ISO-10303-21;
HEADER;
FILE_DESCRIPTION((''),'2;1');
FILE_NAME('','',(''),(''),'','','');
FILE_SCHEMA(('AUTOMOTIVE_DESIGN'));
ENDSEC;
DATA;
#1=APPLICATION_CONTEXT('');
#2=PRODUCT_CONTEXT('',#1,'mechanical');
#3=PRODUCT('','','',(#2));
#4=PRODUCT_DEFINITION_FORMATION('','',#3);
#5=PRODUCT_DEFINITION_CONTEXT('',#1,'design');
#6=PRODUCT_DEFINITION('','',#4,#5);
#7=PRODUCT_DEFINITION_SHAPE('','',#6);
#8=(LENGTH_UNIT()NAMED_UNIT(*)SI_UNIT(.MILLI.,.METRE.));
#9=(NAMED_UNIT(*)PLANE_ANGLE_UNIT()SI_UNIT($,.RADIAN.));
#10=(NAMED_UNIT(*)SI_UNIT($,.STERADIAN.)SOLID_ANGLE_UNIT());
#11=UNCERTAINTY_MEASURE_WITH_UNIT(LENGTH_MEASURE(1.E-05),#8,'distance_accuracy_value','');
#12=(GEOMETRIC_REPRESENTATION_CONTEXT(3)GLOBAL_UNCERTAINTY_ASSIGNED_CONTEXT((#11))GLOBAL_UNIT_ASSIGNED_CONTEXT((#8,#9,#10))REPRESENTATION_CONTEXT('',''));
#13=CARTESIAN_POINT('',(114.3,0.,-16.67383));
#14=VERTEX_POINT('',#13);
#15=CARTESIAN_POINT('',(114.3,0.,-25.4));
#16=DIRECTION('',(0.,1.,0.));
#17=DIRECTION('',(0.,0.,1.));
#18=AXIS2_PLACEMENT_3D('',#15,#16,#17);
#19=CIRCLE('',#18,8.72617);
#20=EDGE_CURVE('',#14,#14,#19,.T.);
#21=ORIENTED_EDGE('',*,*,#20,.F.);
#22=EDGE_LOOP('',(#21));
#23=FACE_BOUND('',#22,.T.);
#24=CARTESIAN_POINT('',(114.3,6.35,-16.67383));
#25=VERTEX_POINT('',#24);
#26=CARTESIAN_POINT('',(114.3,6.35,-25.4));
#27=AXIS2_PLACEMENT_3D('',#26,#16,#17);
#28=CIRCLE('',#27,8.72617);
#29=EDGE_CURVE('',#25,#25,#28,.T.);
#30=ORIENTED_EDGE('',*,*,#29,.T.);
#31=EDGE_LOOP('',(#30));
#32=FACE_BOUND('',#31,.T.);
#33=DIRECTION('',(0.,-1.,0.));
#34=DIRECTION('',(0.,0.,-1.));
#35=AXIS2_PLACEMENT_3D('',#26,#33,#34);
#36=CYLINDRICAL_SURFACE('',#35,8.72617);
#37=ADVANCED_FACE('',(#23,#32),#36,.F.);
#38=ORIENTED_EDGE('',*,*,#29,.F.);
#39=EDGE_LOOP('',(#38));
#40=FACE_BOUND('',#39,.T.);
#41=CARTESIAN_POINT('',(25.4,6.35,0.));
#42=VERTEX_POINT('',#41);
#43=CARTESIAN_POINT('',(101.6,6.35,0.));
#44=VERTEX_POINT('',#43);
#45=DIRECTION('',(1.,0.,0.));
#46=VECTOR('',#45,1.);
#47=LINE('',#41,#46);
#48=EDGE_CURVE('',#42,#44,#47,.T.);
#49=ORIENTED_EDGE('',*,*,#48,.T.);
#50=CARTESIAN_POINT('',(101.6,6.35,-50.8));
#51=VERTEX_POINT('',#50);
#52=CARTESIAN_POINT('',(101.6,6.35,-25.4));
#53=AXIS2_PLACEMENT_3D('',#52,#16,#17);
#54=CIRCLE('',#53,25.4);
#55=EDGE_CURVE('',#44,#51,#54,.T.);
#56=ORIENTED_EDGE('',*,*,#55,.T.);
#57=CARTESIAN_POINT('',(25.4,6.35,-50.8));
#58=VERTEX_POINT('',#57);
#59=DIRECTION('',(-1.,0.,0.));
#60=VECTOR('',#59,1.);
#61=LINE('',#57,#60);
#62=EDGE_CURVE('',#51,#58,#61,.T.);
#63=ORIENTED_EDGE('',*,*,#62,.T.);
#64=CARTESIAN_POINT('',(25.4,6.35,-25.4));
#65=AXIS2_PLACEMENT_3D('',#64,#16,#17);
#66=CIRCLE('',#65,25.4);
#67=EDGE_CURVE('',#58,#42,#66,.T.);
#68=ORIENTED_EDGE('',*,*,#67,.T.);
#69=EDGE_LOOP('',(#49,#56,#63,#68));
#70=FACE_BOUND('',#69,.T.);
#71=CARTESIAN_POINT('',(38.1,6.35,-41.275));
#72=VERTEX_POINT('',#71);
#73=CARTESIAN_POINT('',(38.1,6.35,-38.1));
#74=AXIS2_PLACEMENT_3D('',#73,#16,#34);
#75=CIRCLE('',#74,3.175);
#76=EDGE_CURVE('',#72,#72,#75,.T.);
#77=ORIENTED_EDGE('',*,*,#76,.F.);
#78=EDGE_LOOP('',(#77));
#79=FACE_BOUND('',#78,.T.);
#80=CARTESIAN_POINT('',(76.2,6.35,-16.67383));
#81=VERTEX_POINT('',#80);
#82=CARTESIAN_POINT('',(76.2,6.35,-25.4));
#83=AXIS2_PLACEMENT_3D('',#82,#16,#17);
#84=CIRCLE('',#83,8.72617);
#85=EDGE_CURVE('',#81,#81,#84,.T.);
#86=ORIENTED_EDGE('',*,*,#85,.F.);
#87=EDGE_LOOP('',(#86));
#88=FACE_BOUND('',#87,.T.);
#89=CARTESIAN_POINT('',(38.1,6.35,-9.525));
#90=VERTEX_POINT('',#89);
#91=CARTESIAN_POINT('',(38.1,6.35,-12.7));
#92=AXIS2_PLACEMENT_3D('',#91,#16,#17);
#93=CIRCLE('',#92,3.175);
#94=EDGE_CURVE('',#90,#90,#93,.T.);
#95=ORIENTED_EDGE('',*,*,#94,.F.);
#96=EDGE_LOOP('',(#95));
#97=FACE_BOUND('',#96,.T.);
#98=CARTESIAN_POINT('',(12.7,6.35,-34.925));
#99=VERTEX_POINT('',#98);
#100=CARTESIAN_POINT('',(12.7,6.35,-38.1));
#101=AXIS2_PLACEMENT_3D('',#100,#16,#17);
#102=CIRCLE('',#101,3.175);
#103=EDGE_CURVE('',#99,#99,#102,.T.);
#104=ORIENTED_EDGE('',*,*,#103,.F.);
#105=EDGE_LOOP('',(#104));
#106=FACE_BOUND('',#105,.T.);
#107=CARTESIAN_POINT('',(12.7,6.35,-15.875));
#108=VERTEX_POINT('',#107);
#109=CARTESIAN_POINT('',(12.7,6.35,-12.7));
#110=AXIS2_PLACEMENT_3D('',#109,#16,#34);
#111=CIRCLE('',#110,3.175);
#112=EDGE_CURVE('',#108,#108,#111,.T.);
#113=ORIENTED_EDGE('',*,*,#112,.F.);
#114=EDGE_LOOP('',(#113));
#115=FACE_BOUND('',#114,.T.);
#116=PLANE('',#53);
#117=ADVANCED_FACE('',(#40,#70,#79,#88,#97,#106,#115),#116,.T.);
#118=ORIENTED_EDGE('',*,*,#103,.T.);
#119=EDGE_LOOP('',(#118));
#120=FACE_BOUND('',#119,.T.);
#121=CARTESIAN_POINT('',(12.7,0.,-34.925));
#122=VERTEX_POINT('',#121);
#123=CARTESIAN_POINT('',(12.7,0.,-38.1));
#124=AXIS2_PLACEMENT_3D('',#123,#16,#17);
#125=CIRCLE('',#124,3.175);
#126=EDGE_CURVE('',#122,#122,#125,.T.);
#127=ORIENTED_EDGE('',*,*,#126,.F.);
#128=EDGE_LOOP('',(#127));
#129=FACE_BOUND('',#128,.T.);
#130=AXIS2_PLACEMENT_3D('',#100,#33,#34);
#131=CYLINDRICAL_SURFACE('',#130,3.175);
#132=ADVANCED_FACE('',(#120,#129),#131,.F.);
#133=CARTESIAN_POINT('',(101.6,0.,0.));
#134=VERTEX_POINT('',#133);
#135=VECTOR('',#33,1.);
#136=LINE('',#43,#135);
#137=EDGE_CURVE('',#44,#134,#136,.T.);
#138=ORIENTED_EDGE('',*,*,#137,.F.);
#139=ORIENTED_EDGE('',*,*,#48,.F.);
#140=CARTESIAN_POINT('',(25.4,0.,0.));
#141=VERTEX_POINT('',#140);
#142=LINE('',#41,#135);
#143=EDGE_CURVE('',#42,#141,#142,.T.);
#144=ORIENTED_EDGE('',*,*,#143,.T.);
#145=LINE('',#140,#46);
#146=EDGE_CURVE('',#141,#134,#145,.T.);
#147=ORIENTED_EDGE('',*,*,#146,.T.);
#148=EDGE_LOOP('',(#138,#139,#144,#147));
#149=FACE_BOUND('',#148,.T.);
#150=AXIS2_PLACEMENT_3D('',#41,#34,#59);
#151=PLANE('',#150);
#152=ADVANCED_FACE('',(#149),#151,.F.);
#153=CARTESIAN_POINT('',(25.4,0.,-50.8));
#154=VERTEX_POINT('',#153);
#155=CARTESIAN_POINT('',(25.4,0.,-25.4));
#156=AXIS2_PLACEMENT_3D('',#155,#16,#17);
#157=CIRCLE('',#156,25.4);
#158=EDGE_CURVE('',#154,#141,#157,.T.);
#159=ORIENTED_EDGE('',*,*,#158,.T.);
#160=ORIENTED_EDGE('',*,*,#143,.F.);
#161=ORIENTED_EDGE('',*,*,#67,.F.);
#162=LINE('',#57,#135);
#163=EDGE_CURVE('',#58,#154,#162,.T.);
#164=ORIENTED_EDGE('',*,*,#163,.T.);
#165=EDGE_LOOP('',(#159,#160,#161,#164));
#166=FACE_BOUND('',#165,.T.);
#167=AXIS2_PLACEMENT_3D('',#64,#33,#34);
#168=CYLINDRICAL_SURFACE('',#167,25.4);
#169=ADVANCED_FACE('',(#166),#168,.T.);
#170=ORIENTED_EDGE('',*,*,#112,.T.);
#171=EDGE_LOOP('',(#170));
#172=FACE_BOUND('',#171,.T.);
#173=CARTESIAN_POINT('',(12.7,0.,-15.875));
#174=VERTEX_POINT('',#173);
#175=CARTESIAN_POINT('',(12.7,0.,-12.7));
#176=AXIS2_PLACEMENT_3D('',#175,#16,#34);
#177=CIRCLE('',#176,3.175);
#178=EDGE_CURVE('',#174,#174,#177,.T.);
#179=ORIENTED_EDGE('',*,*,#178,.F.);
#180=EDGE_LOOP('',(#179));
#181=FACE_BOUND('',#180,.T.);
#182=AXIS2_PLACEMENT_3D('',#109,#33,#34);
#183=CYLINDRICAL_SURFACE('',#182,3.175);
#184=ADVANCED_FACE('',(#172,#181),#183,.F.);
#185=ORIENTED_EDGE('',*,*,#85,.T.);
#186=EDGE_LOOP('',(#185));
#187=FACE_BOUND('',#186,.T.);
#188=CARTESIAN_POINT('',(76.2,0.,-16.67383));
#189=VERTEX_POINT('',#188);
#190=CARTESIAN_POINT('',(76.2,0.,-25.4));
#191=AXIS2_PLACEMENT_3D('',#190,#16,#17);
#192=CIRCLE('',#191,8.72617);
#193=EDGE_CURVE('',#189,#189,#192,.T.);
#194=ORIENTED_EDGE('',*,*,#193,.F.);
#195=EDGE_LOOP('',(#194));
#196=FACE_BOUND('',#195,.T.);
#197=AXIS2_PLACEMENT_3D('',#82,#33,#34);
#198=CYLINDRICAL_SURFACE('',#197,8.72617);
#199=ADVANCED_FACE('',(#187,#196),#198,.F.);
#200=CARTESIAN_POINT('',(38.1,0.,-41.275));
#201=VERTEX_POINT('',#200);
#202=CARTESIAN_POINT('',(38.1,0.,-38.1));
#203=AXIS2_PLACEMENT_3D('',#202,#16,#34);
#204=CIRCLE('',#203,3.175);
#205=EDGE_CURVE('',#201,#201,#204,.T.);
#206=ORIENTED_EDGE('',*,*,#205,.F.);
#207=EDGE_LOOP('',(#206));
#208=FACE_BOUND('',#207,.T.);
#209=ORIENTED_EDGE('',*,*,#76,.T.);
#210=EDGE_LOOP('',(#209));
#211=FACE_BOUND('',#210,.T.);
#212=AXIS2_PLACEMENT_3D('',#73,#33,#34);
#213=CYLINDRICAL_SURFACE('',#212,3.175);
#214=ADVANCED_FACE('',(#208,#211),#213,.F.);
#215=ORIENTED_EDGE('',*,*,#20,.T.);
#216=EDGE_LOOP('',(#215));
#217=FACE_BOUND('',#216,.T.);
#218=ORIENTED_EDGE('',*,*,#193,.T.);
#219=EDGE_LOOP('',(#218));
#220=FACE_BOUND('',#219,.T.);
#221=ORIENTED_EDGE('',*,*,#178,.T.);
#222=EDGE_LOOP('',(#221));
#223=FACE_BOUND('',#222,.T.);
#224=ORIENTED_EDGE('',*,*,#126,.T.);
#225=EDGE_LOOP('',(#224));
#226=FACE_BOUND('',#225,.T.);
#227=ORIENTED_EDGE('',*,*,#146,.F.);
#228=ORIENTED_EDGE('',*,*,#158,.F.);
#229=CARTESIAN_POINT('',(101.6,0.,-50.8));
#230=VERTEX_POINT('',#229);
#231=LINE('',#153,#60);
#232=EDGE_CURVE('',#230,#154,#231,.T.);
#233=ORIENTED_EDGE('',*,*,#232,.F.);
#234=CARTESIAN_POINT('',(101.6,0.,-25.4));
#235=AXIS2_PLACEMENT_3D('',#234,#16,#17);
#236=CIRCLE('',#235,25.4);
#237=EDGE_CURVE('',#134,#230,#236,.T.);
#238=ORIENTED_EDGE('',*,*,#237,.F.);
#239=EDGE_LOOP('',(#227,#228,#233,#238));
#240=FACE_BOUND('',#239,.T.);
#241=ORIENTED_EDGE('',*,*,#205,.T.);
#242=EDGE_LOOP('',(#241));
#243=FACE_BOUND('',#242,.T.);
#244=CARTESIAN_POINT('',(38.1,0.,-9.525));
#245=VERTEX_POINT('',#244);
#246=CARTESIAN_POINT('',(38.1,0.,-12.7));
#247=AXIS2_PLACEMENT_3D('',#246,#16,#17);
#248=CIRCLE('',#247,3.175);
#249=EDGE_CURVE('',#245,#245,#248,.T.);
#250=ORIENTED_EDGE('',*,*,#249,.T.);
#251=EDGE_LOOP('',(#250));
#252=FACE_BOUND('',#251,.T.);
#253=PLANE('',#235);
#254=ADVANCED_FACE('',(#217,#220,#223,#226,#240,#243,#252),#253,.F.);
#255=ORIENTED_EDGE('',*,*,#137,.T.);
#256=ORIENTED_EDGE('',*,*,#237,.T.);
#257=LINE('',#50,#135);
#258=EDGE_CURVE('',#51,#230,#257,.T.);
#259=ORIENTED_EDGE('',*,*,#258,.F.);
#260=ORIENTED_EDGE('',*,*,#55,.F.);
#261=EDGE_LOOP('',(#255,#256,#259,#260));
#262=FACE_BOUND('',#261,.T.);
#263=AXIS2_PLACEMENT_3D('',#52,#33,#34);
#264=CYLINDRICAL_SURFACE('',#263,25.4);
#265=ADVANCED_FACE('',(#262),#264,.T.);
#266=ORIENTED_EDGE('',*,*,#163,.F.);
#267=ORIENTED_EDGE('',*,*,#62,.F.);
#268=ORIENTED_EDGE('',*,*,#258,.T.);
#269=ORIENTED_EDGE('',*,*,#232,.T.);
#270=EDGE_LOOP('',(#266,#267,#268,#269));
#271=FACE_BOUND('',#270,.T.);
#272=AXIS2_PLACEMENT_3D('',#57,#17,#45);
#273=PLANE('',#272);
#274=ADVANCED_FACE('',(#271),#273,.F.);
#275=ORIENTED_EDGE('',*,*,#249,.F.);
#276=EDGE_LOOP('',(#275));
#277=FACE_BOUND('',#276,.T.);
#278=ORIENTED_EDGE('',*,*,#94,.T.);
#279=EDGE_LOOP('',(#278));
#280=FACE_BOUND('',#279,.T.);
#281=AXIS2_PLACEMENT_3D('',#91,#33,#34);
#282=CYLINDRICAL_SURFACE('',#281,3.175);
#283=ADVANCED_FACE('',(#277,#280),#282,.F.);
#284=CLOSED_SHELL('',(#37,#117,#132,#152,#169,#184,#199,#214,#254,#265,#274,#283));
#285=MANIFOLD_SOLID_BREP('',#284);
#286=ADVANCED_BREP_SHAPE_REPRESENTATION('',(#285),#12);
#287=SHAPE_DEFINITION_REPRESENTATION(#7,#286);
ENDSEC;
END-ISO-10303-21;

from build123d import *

# Parameters (mm, degrees)
SKETCH1_R           = 3.175
SKETCH1_R_2         = 8.72617
BOSS_EXTRUDE1_DEPTH = 6.35


with BuildPart() as part:
    # Sketch1 → Boss-Extrude1 (new body)
    with BuildSketch(Plane(origin=(0, 0, 0), x_dir=(1, 0, 0), z_dir=(0, 1, 0))):
        with BuildLine():
            Line((25.4, 0), (101.6, 0))
            ThreePointArc((101.6, 0), (127, 25.4), (101.6, 50.8))
            Line((101.6, 50.8), (25.4, 50.8))
            ThreePointArc((25.4, 50.8), (0, 25.4), (25.4, 0))
        make_face()
        with Locations((12.7, 38.1)):
            Circle(SKETCH1_R, mode=Mode.SUBTRACT)
        with Locations((38.1, 38.1)):
            Circle(SKETCH1_R, mode=Mode.SUBTRACT)
        with Locations((38.1, 12.7)):
            Circle(SKETCH1_R, mode=Mode.SUBTRACT)
        with Locations((12.7, 12.7)):
            Circle(SKETCH1_R, mode=Mode.SUBTRACT)
        with Locations((114.3, 25.4)):
            Circle(SKETCH1_R_2, mode=Mode.SUBTRACT)
        with Locations((76.2, 25.4)):
            Circle(SKETCH1_R_2, mode=Mode.SUBTRACT)
    extrude(amount=BOSS_EXTRUDE1_DEPTH)


solid = part.part
